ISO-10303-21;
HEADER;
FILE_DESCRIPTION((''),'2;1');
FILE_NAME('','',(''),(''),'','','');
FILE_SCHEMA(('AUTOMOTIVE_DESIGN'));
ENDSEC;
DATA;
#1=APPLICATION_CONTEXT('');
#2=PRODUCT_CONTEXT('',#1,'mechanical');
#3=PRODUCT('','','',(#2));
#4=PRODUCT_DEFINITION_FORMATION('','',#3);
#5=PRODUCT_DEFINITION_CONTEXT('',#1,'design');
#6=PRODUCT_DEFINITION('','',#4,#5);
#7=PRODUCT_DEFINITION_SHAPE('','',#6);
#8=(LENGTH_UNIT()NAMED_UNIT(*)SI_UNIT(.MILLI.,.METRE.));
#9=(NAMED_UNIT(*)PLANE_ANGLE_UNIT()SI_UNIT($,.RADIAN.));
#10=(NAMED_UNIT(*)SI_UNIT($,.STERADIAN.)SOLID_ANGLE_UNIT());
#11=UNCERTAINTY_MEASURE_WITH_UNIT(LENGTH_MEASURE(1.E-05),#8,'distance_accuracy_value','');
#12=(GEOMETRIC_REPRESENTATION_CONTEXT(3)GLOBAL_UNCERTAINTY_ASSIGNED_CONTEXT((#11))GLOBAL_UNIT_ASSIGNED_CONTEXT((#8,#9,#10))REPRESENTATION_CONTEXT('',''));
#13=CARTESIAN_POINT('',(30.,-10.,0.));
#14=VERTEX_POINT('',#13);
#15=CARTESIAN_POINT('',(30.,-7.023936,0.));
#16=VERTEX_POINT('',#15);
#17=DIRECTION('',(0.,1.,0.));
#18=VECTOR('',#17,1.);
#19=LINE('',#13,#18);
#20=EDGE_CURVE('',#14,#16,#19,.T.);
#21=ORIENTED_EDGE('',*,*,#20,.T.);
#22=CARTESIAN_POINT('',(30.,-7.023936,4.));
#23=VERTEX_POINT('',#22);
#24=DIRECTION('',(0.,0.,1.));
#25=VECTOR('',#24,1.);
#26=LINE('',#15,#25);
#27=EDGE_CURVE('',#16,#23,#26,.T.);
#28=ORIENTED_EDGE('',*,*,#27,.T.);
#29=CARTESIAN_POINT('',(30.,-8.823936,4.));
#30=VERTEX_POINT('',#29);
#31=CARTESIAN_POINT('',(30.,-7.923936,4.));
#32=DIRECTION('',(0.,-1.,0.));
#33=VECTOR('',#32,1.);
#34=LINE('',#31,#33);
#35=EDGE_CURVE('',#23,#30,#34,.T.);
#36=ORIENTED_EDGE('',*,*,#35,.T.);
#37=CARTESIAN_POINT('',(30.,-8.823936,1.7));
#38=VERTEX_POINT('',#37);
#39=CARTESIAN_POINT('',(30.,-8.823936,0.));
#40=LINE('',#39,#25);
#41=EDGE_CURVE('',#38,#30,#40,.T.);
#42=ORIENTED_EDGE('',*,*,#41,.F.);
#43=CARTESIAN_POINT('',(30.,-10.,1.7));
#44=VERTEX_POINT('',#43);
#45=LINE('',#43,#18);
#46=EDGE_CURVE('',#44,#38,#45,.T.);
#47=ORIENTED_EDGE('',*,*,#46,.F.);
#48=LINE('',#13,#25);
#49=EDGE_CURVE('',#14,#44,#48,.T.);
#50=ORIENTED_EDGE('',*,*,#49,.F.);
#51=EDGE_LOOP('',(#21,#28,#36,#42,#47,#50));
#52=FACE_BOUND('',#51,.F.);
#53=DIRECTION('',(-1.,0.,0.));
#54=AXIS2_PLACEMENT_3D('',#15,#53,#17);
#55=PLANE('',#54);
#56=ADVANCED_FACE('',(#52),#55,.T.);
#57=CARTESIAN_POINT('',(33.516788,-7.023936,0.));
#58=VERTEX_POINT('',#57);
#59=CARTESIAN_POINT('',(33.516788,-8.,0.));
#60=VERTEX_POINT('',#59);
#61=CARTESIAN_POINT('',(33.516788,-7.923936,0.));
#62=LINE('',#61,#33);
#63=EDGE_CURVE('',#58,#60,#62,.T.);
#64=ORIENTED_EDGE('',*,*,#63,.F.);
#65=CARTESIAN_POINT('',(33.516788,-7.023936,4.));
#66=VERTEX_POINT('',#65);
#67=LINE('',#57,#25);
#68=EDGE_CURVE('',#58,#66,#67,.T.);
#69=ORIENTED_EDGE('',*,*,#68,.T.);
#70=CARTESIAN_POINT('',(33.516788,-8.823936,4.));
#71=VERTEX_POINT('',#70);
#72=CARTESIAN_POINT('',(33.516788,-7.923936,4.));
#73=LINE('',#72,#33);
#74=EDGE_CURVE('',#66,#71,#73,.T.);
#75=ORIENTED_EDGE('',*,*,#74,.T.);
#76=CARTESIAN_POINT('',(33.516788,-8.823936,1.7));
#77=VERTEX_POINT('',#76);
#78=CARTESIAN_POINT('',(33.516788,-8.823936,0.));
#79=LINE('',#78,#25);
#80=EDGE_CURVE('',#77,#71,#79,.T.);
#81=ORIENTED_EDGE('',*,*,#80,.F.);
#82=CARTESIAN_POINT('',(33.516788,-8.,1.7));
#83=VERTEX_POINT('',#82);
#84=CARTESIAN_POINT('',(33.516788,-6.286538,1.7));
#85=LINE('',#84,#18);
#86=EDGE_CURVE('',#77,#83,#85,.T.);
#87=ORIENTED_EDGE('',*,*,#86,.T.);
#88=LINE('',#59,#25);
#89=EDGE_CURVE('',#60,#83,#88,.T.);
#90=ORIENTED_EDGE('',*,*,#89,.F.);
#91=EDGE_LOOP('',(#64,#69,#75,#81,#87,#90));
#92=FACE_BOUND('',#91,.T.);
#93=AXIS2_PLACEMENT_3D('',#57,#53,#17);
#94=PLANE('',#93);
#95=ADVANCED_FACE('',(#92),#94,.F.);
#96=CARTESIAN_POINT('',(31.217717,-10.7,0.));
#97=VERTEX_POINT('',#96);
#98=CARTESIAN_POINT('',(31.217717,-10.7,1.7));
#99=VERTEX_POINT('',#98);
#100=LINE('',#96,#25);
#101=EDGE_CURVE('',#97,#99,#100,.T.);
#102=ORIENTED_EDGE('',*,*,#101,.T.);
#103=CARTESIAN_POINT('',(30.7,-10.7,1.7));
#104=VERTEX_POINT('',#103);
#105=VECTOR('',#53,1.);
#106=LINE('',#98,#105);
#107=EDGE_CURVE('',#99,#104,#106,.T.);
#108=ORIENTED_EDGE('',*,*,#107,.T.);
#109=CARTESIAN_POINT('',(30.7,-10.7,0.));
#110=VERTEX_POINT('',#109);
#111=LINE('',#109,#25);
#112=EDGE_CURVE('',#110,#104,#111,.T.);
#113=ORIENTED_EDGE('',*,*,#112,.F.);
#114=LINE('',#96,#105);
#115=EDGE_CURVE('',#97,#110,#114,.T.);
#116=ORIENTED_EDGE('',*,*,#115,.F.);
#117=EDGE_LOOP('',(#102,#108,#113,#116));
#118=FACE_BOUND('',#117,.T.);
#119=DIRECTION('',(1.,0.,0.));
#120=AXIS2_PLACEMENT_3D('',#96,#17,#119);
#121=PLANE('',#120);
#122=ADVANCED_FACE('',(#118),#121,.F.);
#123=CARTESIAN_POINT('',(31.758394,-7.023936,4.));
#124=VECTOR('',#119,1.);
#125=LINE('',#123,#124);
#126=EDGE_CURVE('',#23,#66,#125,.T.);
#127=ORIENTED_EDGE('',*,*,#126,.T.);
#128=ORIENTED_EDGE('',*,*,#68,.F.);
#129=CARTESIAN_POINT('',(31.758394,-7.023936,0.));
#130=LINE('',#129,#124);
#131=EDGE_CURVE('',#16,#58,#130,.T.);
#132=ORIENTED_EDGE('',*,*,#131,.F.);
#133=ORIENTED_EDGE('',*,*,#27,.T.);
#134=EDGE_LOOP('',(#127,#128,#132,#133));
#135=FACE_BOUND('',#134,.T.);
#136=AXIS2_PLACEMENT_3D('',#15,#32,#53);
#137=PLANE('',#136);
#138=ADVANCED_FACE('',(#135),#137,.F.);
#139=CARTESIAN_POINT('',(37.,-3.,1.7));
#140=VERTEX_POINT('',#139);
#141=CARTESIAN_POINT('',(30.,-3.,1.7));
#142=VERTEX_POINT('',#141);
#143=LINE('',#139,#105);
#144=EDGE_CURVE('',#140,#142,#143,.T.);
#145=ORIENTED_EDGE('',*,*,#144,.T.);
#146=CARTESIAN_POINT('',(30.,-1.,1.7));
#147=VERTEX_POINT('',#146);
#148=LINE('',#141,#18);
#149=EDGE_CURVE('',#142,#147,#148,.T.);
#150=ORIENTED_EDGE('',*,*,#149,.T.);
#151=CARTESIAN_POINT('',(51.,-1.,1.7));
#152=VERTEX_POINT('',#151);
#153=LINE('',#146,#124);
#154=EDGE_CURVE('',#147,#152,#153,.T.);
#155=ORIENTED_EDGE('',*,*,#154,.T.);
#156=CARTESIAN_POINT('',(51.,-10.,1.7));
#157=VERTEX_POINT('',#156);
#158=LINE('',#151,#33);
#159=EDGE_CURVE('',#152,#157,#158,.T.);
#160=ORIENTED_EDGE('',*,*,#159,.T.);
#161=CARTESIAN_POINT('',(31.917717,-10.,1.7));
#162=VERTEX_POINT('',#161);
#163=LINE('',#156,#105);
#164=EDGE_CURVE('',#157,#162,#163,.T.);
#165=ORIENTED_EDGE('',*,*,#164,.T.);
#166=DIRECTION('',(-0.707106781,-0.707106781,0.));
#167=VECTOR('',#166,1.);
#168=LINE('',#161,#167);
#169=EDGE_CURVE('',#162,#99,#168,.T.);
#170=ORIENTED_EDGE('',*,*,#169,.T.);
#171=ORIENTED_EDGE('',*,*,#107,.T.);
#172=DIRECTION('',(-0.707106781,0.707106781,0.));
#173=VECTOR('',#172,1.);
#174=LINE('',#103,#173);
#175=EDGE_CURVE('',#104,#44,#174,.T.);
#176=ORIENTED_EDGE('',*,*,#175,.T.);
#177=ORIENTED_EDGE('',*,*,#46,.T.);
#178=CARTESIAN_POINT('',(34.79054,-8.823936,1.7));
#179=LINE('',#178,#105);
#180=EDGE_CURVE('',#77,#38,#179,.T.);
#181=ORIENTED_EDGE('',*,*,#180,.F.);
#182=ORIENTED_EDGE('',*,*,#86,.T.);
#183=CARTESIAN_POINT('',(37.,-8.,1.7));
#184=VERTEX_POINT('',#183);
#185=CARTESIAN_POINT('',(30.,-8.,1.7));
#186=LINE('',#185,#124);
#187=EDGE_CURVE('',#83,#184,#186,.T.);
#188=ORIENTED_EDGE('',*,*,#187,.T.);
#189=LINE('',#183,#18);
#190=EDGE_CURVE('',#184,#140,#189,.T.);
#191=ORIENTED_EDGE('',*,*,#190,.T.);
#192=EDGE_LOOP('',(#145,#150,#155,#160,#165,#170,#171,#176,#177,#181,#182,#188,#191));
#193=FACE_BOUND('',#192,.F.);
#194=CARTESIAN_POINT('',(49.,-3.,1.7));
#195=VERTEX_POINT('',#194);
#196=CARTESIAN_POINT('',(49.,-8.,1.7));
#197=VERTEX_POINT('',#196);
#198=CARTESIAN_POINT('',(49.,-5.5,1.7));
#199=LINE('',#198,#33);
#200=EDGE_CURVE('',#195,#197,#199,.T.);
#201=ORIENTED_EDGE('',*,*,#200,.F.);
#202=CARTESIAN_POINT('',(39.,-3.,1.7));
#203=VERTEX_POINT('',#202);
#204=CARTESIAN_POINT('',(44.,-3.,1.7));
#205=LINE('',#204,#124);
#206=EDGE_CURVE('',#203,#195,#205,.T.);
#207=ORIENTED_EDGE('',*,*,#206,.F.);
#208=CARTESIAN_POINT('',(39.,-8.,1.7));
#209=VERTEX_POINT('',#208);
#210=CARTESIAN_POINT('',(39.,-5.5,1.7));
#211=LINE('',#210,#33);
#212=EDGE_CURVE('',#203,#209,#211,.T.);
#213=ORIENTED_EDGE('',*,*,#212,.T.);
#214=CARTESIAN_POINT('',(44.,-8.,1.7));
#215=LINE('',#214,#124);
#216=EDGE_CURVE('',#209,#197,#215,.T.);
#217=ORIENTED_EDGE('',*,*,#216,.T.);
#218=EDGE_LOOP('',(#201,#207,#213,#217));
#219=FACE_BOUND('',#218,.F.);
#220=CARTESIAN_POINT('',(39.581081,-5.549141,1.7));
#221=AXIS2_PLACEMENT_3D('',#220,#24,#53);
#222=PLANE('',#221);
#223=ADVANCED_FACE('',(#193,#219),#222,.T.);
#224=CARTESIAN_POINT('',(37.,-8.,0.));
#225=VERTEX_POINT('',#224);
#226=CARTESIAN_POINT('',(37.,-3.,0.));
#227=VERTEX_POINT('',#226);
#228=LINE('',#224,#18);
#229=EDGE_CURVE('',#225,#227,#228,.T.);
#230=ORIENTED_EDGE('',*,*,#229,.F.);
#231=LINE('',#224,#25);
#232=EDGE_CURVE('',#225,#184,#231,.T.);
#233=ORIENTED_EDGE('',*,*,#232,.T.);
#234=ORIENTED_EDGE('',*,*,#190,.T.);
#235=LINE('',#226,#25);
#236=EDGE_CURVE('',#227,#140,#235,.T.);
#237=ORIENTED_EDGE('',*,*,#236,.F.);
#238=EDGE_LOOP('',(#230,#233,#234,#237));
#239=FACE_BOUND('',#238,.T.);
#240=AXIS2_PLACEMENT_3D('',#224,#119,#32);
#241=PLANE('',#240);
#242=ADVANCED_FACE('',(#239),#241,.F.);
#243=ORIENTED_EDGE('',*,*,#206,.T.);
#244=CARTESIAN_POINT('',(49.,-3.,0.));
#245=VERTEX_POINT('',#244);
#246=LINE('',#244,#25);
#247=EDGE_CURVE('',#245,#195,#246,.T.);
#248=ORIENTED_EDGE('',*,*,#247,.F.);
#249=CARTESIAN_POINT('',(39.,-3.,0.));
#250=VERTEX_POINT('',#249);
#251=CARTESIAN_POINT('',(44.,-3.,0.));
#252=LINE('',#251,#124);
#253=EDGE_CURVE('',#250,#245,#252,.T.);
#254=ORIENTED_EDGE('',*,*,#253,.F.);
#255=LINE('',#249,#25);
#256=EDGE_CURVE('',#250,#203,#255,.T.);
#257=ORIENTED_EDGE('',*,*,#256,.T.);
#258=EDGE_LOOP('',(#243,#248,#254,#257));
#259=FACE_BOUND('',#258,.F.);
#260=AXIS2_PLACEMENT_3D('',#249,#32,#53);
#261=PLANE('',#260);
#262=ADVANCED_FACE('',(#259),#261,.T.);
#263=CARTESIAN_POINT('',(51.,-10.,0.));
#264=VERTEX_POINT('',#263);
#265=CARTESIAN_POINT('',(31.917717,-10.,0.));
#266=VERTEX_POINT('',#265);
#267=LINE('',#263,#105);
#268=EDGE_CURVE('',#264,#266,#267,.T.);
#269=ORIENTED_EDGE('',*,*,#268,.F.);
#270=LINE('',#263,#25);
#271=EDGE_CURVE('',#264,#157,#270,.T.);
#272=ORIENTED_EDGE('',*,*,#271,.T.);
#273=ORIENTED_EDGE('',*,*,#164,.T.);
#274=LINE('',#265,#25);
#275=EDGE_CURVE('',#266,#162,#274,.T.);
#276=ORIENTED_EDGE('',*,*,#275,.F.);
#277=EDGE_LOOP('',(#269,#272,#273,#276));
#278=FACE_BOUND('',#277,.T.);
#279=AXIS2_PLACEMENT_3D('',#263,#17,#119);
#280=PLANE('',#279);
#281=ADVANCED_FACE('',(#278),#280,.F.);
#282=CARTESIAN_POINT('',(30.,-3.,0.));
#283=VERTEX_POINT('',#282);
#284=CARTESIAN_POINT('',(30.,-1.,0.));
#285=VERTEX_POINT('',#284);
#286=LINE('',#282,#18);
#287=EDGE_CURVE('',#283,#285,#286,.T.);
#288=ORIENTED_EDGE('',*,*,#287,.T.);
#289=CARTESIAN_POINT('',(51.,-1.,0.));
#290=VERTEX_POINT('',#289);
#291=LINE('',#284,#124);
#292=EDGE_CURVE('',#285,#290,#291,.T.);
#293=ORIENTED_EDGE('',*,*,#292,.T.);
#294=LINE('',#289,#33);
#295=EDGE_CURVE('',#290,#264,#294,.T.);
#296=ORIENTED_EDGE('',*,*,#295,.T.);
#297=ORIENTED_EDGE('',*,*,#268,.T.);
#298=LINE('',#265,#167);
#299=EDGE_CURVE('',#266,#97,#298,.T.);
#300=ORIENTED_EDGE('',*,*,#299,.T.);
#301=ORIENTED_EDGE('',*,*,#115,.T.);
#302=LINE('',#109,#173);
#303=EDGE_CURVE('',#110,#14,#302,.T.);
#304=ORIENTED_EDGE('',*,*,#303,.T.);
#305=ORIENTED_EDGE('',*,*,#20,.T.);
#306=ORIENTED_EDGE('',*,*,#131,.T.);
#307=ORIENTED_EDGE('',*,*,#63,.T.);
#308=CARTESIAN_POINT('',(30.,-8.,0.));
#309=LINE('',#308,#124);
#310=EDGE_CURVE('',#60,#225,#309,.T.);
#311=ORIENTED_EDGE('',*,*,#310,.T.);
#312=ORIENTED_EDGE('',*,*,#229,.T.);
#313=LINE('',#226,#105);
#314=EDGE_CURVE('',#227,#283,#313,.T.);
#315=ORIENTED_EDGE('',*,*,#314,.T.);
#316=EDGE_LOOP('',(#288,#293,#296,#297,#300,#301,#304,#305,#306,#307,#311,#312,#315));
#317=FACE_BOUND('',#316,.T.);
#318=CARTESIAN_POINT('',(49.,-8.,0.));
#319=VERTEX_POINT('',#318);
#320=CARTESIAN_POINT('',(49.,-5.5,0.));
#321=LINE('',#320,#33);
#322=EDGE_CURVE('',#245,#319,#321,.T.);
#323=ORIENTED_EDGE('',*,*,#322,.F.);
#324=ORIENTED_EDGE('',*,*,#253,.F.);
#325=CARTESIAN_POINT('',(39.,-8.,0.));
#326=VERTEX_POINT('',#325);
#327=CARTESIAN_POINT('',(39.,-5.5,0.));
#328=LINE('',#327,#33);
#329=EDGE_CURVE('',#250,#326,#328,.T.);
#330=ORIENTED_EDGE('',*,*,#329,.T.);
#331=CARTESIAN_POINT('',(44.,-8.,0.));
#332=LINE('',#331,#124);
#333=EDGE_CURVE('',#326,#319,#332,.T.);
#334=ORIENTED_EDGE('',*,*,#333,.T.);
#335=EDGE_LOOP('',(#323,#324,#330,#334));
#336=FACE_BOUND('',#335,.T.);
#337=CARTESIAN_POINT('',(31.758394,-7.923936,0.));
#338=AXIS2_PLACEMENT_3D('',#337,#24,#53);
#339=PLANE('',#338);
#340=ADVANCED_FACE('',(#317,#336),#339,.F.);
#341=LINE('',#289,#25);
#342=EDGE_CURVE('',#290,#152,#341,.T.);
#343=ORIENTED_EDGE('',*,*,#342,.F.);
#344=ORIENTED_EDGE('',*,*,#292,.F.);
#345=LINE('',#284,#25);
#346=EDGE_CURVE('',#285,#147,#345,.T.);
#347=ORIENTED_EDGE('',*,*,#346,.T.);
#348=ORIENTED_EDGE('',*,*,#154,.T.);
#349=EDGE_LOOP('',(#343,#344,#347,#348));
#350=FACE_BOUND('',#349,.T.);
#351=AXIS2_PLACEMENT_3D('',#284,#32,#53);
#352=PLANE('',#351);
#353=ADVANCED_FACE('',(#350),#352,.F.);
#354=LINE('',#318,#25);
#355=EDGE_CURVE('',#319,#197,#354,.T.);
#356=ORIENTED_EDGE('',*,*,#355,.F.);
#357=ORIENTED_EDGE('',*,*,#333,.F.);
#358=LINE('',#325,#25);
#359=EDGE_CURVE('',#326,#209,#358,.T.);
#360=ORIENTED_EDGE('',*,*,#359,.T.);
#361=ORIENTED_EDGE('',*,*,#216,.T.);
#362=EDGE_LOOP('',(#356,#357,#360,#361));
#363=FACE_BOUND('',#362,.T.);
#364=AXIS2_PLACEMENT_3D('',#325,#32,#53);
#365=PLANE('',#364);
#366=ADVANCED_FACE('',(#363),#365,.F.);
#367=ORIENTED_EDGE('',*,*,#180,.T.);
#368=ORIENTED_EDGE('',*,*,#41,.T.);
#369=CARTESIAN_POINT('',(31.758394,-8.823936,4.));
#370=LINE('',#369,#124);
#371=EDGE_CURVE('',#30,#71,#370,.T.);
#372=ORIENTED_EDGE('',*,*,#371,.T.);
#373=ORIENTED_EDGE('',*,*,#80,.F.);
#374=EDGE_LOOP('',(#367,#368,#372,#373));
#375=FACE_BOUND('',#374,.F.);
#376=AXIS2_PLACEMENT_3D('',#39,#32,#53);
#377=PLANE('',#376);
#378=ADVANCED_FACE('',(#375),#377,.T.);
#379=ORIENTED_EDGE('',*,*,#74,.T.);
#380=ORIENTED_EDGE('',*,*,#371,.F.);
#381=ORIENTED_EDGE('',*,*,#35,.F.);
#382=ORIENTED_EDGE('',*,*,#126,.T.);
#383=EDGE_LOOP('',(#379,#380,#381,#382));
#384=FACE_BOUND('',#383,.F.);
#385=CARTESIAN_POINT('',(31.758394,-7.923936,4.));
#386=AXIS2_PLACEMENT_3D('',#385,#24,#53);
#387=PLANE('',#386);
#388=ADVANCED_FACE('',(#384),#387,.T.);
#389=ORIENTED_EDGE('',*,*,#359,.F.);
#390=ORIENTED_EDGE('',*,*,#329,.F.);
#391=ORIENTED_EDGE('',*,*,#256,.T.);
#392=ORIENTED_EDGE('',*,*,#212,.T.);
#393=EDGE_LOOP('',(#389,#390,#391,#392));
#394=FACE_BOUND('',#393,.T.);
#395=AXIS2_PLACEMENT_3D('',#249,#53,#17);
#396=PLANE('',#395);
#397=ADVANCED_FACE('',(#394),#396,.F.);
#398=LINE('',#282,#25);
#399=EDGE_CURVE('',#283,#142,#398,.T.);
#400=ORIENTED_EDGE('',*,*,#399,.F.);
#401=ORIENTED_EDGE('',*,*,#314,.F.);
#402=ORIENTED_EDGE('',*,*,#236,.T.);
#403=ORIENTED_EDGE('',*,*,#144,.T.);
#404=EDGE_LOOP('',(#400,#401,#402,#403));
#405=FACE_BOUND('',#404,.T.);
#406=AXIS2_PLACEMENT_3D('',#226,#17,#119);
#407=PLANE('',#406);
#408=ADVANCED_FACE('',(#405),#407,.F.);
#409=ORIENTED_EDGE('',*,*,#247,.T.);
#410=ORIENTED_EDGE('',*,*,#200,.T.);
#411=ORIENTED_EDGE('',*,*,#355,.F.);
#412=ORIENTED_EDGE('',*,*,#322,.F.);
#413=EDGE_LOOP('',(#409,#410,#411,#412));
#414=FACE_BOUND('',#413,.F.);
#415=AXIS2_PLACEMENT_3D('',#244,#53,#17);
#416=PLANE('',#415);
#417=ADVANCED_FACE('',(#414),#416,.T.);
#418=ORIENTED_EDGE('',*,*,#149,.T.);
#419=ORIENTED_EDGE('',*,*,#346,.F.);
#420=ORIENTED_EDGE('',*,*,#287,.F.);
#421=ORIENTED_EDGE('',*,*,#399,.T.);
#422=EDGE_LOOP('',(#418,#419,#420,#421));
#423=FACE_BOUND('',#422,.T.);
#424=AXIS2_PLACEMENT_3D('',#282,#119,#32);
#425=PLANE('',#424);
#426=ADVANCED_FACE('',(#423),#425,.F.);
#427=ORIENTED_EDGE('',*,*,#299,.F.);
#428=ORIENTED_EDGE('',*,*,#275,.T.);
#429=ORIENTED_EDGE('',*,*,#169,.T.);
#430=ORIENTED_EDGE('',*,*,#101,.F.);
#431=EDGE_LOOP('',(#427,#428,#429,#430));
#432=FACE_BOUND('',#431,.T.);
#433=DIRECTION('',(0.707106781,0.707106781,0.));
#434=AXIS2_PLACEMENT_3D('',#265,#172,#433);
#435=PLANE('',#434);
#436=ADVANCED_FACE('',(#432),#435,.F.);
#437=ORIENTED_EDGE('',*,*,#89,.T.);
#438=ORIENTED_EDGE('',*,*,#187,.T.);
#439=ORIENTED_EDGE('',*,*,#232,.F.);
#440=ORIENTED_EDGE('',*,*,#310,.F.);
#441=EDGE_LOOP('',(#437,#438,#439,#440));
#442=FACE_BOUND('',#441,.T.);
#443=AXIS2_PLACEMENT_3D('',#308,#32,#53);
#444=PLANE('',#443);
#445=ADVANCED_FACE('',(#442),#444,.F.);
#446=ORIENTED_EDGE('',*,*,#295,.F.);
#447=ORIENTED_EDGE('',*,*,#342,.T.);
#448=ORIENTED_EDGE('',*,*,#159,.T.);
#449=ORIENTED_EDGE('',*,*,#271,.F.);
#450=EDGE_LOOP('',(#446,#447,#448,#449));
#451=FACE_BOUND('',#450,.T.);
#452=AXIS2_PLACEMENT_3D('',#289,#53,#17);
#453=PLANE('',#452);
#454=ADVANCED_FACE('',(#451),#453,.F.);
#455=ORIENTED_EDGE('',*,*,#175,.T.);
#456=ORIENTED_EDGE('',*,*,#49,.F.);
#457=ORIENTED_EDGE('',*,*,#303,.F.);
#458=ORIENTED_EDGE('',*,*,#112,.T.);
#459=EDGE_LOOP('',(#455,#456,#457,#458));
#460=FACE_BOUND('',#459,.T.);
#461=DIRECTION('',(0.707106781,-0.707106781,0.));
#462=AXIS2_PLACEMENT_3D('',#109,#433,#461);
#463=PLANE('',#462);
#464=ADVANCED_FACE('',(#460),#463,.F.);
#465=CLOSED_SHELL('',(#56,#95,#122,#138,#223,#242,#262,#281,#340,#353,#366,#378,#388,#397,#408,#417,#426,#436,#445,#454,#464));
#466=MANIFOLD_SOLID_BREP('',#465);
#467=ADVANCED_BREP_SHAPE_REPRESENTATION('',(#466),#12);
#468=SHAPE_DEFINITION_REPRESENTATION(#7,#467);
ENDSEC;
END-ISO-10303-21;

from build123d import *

# Parameters (mm, degrees)
SKETCH061_W                    = 10
SKETCH061_H                    = 5
PAD017_DEPTH                   = 1.7
SKETCH062_W                    = 3.516788
SKETCH062_H                    = 1.8
PAD018_DEPTH                   = 4
PART_MIRRORING_PLACEMENT_ANGLE = 180


with BuildPart() as filterpapierklemmer_mirrored:
    # Sketch061 → Pad017 (new body)
    with BuildSketch(Plane.XY):
        Polygon((30, 0), (51, 0), (51, 9), (31.917717, 9), (31.217717, 9.7), (30.7, 9.7), (30, 9), (30, 7), (37, 7), (37, 2), (30, 2), align=None)
        with Locations((44, 4.5)):
            Rectangle(SKETCH061_W, SKETCH061_H, mode=Mode.SUBTRACT)
    extrude(amount=PAD017_DEPTH)

    # Sketch062 → Pad018 (join)
    with BuildSketch(Plane.XY):
        with Locations((31.758394, 6.923936)):
            Rectangle(SKETCH062_W, SKETCH062_H)
    extrude(amount=PAD018_DEPTH)


with BuildPart() as filterpapierklemmer_mirrored_petg:
    # Part__Mirroring: instance of filterpapierklemmer_mirrored
    add(filterpapierklemmer_mirrored.part.mirror(Plane(origin=(0, 0, 0), x_dir=(0, 1, 0), z_dir=(0, 0, 1))))


with BuildPart() as filterpapierklemmer_mirrored_petg_1:
    # Part__Mirroring placement: moved
    add(filterpapierklemmer_mirrored_petg.part.moved(Location((0, -1, 0))).rotate(Axis((0, -1, 0), (1, 0, 0)), PART_MIRRORING_PLACEMENT_ANGLE))


solid = filterpapierklemmer_mirrored_petg_1.part
